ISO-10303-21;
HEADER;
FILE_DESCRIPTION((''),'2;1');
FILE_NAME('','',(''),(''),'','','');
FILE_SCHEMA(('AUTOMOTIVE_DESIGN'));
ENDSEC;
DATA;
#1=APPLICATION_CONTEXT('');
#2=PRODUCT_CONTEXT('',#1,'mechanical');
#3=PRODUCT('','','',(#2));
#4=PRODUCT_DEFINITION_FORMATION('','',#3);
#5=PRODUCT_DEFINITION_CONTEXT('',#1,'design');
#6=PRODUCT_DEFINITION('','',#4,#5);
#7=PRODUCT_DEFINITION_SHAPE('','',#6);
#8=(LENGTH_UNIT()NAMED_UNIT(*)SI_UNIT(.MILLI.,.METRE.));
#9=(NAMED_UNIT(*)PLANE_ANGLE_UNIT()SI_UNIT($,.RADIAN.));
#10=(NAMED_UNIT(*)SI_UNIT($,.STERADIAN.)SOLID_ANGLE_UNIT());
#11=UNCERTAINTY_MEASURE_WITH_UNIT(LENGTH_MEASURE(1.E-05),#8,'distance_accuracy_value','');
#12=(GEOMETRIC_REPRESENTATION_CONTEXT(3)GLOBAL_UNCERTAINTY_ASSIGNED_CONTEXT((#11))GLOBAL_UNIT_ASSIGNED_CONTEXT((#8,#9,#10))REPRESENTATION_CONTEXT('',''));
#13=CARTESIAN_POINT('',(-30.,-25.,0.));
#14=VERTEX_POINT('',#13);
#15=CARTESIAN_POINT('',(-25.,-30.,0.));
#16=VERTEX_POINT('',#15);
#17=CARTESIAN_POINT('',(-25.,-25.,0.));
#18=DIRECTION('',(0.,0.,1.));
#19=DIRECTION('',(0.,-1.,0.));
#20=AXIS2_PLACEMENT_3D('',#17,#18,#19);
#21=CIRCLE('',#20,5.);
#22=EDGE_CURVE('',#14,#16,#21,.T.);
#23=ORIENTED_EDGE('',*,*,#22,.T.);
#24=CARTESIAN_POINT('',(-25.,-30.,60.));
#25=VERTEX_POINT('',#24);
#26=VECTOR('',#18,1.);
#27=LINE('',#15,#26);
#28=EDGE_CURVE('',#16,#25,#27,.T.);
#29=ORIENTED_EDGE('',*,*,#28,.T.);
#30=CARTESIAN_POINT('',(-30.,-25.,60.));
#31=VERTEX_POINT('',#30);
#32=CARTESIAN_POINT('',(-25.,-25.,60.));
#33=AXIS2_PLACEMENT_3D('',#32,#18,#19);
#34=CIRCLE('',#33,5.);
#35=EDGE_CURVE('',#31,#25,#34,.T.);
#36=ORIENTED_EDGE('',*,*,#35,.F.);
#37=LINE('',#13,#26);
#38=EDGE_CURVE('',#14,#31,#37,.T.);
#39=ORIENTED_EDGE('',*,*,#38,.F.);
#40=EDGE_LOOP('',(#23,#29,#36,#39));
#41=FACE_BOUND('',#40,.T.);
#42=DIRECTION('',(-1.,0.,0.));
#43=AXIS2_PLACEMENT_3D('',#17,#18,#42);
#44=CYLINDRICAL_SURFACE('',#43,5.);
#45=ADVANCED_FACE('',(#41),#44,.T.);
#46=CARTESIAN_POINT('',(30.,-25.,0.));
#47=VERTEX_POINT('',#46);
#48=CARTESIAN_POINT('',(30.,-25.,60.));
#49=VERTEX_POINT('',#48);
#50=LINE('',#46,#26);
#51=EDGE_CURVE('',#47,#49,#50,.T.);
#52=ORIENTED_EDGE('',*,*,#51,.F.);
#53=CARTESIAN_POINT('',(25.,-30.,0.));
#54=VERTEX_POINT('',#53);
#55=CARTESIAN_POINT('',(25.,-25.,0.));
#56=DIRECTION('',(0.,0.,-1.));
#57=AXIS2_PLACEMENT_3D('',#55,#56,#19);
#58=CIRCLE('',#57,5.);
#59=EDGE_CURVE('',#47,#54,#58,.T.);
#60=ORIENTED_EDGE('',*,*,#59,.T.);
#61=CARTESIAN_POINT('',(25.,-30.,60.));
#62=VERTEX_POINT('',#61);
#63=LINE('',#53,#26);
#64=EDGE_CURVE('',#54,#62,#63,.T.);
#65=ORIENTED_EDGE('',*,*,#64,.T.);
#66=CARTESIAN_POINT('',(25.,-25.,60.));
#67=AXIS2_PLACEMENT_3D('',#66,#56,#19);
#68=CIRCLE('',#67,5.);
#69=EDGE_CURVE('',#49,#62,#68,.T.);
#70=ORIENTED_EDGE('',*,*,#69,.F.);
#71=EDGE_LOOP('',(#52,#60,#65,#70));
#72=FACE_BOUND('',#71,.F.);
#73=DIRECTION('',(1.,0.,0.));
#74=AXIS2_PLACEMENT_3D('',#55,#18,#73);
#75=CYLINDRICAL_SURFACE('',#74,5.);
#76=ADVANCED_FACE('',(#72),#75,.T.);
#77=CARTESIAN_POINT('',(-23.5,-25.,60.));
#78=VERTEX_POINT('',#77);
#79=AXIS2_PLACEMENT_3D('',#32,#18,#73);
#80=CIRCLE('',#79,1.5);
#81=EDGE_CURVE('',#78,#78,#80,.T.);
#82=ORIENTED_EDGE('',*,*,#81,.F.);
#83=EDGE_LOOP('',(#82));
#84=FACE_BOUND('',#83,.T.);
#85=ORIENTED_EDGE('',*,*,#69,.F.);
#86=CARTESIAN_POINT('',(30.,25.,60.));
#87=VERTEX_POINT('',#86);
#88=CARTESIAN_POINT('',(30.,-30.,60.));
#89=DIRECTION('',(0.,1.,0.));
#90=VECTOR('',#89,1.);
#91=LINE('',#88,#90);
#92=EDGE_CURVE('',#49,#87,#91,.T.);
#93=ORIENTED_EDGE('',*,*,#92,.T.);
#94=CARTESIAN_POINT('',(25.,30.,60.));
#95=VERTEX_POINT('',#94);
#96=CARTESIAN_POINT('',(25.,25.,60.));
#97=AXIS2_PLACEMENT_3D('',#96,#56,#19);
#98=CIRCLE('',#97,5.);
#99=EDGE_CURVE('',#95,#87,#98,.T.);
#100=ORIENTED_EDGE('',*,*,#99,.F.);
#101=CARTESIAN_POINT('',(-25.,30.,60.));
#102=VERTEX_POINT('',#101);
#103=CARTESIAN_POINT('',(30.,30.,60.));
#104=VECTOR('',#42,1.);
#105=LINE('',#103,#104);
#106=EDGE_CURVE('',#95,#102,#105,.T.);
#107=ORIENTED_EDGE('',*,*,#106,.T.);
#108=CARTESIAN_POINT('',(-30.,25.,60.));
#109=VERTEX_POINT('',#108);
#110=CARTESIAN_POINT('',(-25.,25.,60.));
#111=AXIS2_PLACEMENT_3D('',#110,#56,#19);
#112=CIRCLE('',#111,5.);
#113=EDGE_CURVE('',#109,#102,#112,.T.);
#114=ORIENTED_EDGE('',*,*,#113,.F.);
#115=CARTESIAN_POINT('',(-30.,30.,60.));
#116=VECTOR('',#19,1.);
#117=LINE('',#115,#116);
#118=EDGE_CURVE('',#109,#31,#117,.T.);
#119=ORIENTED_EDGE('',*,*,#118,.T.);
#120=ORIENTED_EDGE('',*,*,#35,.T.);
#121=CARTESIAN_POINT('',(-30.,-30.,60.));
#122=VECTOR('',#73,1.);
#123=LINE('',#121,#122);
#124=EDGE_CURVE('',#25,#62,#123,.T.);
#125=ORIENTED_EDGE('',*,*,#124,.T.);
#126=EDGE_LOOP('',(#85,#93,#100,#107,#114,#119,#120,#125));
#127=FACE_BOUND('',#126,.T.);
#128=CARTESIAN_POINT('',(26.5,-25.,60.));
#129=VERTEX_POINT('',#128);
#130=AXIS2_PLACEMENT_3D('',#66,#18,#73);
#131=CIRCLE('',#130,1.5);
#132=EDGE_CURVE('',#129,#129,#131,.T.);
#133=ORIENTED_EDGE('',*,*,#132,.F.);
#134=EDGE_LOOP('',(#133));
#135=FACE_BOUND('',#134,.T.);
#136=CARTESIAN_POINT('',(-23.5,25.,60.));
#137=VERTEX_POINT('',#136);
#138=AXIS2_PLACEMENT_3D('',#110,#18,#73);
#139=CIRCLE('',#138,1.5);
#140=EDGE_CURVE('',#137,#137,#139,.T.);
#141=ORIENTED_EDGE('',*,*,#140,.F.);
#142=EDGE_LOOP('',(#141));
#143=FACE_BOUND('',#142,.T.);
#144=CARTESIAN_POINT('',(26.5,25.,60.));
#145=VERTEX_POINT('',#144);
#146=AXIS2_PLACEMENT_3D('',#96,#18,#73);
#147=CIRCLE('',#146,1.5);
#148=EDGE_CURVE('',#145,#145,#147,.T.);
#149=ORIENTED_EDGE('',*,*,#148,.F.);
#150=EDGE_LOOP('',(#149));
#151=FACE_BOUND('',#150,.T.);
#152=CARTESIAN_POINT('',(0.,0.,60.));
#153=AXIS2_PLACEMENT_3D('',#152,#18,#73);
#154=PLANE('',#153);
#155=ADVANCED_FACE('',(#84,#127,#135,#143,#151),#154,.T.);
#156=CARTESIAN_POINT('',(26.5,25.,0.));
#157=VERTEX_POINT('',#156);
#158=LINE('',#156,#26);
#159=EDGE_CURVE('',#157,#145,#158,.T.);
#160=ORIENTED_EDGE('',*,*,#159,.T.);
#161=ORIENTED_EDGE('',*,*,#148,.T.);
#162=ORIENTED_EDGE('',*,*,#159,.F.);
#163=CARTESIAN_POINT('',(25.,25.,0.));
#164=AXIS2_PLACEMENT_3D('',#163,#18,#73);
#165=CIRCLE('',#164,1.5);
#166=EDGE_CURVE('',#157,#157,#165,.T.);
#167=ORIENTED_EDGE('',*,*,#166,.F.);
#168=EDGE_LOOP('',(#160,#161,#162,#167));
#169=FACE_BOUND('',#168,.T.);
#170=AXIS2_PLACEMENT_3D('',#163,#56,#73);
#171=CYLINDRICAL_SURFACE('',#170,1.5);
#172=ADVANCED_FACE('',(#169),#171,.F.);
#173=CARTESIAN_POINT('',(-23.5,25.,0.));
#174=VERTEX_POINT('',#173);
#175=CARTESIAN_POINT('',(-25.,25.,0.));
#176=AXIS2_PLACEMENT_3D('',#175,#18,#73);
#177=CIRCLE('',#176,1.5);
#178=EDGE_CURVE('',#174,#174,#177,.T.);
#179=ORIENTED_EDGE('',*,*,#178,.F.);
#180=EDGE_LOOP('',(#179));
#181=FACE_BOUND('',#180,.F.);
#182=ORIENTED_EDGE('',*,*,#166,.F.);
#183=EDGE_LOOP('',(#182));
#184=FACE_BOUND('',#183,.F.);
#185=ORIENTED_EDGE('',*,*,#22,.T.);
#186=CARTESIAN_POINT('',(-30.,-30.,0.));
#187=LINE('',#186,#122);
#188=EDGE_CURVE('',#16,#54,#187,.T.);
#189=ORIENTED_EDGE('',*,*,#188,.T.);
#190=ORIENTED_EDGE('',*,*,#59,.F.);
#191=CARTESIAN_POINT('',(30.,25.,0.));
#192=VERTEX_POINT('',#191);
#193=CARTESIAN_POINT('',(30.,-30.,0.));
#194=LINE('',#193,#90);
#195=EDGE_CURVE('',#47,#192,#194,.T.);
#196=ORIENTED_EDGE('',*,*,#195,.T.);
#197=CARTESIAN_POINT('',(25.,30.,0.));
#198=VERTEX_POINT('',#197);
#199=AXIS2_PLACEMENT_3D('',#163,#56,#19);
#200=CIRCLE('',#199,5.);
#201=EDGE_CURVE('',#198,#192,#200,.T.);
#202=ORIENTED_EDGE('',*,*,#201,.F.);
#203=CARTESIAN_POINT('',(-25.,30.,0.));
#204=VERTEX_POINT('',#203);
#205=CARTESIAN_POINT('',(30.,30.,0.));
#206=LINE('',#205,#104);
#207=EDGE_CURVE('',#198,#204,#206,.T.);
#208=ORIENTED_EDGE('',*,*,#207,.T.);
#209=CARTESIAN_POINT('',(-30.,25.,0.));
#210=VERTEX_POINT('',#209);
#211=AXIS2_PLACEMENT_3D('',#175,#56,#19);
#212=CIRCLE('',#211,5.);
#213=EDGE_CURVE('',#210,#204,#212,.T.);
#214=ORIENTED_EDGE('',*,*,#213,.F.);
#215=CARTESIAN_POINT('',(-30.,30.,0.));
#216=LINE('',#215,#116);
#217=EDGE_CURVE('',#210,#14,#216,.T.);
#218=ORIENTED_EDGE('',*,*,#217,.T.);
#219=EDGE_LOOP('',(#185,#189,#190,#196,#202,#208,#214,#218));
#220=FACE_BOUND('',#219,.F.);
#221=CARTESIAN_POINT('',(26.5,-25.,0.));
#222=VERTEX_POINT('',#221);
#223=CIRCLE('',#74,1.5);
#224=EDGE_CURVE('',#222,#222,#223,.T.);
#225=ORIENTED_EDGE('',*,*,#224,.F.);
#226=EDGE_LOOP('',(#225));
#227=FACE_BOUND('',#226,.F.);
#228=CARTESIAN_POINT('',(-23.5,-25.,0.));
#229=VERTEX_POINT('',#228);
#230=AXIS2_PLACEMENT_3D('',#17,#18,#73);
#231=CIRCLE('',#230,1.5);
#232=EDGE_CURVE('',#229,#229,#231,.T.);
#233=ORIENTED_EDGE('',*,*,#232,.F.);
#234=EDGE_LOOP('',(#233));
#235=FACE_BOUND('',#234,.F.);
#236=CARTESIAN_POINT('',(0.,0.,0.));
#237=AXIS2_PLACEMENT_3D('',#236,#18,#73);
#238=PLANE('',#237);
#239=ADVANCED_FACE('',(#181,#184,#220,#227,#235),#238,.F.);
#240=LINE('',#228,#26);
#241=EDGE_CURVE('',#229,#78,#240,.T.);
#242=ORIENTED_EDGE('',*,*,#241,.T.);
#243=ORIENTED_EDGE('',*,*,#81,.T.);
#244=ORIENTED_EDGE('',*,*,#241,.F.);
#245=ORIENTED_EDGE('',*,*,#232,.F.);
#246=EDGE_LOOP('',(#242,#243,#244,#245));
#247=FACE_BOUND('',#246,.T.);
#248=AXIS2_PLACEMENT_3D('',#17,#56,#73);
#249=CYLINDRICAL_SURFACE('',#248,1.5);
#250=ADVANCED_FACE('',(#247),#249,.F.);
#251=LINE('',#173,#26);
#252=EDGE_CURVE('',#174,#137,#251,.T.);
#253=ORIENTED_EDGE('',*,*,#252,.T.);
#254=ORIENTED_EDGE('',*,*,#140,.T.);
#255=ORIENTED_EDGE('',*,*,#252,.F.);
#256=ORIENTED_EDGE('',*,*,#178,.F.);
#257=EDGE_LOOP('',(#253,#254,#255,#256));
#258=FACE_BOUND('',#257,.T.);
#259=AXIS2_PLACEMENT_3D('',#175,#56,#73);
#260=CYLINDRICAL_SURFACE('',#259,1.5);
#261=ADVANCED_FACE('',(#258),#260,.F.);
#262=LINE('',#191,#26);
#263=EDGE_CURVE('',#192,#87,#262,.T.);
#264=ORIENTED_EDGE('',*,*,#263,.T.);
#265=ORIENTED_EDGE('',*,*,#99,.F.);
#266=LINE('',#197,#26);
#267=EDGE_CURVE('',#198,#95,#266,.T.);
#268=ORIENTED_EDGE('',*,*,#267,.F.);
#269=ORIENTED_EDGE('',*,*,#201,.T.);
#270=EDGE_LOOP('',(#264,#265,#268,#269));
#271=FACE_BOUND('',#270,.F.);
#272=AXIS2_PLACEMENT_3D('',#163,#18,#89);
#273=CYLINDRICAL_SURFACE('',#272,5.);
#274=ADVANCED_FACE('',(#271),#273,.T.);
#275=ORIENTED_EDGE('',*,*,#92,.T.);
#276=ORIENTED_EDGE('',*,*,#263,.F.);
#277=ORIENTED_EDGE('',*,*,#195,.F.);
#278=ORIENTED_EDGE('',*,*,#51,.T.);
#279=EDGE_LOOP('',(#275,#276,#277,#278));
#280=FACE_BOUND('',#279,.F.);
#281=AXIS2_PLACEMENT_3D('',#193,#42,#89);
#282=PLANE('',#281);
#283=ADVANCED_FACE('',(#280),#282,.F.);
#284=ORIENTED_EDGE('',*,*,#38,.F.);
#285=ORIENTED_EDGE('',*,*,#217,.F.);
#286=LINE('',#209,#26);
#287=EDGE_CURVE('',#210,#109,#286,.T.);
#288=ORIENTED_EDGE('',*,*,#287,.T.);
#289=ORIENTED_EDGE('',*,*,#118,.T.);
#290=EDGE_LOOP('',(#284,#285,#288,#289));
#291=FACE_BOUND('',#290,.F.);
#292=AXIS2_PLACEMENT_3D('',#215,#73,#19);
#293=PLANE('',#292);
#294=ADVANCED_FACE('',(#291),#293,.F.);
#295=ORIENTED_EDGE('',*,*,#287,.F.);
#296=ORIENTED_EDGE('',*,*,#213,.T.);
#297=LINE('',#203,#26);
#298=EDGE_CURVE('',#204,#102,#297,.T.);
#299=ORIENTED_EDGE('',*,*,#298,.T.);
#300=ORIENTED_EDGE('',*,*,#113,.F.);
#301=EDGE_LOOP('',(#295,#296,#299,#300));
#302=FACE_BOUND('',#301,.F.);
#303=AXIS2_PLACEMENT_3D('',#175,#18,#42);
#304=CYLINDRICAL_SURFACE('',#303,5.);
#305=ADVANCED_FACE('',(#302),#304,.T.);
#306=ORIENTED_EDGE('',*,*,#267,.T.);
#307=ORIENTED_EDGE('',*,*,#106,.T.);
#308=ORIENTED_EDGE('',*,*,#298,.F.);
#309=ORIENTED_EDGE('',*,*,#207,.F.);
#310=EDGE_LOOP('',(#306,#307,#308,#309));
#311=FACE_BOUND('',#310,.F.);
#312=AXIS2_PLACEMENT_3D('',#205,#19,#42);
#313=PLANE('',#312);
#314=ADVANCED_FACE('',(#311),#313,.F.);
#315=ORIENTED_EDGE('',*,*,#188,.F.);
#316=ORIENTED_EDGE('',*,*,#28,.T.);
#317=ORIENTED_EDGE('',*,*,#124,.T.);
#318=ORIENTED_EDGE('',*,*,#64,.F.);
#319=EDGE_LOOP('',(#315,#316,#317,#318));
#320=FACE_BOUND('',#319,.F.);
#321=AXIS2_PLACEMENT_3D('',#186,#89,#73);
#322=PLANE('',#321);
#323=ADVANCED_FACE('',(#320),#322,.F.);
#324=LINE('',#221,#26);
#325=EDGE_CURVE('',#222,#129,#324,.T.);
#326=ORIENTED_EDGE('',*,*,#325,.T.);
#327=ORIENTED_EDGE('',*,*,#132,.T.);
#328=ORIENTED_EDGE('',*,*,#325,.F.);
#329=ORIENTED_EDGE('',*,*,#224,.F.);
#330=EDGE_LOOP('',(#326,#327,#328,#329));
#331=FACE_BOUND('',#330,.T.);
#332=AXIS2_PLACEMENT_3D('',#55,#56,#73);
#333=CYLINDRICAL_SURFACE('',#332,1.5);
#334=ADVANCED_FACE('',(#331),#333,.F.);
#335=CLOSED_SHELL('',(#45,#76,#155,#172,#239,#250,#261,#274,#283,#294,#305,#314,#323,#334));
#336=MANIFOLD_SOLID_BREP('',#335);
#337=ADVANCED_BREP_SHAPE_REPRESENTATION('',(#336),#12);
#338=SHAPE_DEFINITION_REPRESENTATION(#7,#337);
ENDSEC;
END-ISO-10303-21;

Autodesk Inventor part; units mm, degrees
ref_plane "YZ Plane" through (0, 0, 0) normal (1, 0, 0) x (0, 1, 0)
ref_plane "XZ Plane" through (0, 0, 0) normal (0, 1, 0) x (-1, 0, 0)
ref_plane "XY Plane" through (0, 0, 0) normal (0, 0, 1) x (1, 0, 0)
sketch "Sketch1" plane through (0, 0, 0) normal (0, 0, 1) x (1, 0, 0)
  line L0 (-30, -30) -> (30, -30)
  line L1 (30, -30) -> (30, 30)
  line L2 (30, 30) -> (-30, 30)
  line L3 (-30, 30) -> (-30, -30)
  line L4 (-30, -30) -> (30, 30) construction
  line L5 (30, -30) -> (-30, 30) construction
  line L6 (30, 30) -> (25, 30) construction
  line L7 (25, 30) -> (25, 25) construction
  line L8 (-30, 30) -> (-25, 30) construction
  line L9 (-25, 30) -> (-25, 25) construction
  line L10 (-30, -30) -> (-30, -25) construction
  line L11 (-30, -25) -> (-25, -25) construction
  line L12 (30, -30) -> (30, -25) construction
  line L13 (30, -25) -> (25, -25) construction
  circle A0 centre (-25, 25) radius 1.5
  circle A1 centre (25, 25) radius 1.5
  circle A2 centre (25, -25) radius 1.5
  circle A3 centre (-25, -25) radius 1.5
  point P0 (0, 0)
  dimension "d0" = 60
  dimension "d1" = 60
  dimension "d2" = 5
  dimension "d3" = 5
  dimension "d4" = 5
  dimension "d5" = 5
  dimension "d6" = 5
  dimension "d7" = 5
  dimension "d8" = 5
  dimension "d9" = 5
  dimension "d10" = 3
  dimension "d11" = 3
  dimension "d12" = 3
  dimension "d13" = 3
extrude "Block" add sketch "Sketch1" along normal blind 60
fillet "Fillets FTW" radius 5 4 edges at (-30, 30, 30) (-30, -30, 30) (30, -30, 30) (30, 30, 30)
properties part number "60x60Spacer"
